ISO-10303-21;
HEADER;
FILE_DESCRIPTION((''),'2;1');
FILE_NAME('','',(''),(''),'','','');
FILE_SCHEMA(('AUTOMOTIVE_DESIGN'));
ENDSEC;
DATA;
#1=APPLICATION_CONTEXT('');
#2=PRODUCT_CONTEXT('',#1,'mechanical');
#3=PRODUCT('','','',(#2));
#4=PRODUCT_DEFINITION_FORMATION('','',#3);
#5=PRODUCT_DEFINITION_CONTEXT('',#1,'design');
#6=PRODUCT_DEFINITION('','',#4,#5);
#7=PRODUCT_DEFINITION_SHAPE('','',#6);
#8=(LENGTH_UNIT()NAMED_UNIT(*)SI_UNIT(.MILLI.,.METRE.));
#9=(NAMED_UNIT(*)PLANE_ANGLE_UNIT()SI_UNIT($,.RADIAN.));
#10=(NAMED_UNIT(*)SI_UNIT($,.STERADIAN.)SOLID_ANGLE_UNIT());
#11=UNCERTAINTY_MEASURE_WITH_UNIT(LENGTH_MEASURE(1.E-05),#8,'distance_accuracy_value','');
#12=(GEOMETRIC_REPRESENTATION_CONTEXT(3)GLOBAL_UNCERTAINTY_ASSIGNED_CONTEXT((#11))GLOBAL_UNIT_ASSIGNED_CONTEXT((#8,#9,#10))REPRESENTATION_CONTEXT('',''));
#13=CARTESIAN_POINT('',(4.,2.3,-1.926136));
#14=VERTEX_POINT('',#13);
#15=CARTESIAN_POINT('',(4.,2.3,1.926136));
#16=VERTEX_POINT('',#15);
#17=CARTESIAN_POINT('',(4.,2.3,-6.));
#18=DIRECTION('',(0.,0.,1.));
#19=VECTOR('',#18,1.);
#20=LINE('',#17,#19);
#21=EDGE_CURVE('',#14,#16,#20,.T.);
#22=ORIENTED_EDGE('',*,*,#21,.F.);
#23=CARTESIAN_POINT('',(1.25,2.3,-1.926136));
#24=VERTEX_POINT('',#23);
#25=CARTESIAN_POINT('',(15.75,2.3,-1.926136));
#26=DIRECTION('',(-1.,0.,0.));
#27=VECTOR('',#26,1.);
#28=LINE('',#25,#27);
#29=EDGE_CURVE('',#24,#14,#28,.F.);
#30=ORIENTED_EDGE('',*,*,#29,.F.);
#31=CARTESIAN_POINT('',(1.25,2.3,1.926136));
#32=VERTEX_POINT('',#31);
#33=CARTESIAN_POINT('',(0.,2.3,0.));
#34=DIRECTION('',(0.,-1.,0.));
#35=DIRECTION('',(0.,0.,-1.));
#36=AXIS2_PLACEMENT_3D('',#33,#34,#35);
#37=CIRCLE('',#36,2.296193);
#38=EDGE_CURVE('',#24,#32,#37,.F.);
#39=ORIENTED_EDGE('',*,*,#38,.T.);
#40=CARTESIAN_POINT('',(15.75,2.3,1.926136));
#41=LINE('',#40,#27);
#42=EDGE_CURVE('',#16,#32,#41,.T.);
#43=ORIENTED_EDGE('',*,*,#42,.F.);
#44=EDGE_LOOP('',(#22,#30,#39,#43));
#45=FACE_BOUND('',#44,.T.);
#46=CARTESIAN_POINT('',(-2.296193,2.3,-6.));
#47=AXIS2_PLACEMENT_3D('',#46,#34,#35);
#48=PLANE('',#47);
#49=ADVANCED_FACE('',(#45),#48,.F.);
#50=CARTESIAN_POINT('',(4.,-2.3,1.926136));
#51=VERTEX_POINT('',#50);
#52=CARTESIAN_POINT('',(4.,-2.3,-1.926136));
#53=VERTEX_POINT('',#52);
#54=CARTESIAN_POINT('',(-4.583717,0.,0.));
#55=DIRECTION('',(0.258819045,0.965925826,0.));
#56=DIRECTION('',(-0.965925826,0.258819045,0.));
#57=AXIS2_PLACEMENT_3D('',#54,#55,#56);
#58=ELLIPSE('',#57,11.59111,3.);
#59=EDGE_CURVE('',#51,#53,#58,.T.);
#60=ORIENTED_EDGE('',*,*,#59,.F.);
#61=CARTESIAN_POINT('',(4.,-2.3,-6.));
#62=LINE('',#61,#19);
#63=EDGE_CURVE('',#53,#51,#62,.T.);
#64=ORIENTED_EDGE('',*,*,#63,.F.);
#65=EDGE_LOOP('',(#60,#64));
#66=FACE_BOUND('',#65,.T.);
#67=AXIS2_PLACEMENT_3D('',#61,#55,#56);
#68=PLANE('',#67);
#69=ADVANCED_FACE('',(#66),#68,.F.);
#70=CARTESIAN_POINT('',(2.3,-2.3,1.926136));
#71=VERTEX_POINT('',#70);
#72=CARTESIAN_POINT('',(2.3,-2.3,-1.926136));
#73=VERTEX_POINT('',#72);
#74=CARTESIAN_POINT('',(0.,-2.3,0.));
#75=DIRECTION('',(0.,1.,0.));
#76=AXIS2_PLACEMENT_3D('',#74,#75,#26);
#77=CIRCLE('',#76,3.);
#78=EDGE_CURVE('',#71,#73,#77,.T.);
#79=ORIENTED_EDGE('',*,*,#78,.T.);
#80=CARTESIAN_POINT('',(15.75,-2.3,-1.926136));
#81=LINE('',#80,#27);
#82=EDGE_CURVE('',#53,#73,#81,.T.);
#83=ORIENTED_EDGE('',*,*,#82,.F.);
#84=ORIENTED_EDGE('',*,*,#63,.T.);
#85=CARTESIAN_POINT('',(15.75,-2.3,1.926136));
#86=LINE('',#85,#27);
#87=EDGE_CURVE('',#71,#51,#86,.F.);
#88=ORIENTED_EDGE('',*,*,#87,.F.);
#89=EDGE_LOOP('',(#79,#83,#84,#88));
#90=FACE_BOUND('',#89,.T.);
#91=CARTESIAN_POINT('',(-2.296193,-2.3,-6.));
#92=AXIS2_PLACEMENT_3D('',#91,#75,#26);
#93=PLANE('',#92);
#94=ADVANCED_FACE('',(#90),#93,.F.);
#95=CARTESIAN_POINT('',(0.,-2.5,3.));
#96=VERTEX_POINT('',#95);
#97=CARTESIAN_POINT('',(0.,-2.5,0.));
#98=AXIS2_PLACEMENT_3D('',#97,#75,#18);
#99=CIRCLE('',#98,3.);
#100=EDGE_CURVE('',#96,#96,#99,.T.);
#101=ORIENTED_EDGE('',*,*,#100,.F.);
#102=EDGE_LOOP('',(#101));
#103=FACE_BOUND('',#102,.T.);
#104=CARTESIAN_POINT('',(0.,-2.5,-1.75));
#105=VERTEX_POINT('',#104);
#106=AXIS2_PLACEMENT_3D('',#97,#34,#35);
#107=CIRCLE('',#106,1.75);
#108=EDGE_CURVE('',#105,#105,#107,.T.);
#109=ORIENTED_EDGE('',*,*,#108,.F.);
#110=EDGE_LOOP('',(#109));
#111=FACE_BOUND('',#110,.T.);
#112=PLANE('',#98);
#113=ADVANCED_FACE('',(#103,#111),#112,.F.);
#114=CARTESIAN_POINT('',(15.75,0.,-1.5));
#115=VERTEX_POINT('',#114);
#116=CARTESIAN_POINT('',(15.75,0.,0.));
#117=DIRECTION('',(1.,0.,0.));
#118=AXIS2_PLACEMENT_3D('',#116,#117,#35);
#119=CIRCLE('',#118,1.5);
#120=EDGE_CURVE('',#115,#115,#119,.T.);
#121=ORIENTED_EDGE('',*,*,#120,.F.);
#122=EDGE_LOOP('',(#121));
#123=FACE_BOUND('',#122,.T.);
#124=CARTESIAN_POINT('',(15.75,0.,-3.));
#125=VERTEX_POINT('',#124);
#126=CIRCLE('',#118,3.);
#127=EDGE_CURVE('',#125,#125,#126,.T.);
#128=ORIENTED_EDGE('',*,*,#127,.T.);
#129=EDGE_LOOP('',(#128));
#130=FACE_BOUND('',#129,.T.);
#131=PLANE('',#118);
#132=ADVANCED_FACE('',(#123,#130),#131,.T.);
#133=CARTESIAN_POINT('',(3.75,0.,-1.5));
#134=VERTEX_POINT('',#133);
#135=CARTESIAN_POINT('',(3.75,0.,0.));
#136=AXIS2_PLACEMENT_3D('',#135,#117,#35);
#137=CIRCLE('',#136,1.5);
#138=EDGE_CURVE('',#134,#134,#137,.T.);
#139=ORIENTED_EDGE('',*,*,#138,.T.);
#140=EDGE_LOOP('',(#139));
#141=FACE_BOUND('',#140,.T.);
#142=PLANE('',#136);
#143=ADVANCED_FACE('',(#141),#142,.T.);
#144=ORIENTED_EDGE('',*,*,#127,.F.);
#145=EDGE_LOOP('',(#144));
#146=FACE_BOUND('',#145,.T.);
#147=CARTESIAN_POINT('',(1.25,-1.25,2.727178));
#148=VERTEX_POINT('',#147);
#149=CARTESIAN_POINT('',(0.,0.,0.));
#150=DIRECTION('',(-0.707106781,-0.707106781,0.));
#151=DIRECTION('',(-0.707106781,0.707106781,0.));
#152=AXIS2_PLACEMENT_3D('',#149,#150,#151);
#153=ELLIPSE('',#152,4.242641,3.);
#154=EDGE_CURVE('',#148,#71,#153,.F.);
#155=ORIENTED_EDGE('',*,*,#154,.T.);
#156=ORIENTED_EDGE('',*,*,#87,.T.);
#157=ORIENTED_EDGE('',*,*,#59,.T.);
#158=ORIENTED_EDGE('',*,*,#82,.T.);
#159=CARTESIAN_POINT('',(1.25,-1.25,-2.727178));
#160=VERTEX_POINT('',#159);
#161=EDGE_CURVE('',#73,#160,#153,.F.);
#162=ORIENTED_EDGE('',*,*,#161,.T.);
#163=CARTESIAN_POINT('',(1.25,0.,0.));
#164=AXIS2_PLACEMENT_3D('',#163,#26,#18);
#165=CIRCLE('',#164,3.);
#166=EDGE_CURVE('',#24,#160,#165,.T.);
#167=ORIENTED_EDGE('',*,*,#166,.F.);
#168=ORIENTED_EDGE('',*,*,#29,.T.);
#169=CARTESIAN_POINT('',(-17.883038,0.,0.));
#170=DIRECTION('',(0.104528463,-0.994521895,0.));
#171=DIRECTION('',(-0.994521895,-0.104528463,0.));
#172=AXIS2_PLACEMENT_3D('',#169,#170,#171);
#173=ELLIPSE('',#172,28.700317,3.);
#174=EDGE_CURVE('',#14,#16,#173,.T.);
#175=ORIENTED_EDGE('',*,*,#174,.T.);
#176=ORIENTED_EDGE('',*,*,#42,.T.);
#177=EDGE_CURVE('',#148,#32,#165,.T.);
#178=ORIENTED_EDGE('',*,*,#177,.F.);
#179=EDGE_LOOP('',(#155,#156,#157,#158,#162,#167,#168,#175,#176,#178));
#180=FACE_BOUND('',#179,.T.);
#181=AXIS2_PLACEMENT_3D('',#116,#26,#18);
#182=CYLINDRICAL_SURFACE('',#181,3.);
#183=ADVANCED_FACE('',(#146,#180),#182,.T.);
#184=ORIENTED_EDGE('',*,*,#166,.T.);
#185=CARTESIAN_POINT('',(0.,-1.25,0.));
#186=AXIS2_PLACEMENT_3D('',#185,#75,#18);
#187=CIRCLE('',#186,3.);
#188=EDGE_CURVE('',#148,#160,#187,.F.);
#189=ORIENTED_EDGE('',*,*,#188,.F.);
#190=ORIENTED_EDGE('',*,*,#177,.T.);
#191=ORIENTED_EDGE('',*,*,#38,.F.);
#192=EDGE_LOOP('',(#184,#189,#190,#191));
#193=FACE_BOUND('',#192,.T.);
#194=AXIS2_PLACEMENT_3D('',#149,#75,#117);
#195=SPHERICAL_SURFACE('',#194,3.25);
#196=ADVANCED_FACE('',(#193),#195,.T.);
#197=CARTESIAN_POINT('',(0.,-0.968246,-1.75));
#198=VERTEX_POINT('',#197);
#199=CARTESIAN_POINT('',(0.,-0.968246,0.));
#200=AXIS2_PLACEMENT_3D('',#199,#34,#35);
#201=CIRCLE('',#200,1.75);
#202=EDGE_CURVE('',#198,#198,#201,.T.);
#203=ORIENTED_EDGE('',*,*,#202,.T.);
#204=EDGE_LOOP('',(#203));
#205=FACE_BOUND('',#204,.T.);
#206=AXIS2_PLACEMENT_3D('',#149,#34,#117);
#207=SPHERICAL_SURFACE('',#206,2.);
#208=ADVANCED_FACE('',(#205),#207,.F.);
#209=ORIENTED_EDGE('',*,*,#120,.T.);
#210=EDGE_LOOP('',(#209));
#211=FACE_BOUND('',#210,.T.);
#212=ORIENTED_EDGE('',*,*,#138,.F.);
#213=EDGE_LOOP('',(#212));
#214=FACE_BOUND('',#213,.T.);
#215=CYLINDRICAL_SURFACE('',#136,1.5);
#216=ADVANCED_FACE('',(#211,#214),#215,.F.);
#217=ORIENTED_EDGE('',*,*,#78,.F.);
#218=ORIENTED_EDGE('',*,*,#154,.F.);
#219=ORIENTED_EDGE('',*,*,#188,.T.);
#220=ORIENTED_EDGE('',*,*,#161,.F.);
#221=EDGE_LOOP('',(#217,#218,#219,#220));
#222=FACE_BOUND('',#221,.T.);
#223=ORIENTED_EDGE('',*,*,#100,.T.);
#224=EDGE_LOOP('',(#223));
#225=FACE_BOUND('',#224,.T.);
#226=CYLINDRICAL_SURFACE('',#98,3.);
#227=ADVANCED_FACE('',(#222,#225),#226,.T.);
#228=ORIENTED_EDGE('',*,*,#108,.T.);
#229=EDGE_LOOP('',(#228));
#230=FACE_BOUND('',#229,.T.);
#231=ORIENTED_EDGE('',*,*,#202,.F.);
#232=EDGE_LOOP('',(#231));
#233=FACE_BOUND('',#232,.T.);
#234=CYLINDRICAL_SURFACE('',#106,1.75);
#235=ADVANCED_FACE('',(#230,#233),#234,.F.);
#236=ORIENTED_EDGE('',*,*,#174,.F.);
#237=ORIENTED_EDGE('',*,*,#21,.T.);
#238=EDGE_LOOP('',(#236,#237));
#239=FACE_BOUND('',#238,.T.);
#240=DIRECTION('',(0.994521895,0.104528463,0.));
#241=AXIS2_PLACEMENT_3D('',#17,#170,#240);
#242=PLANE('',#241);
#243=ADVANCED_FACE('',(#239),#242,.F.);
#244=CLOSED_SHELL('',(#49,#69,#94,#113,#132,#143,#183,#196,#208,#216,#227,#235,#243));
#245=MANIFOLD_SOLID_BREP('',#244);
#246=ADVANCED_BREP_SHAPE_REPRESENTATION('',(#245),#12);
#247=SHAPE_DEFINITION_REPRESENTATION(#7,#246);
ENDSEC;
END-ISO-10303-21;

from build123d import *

# Parameters (mm, degrees)
ESQUISSE2_R             = 3
BOSS_EXTRU_1_DEPTH      = 15.75
ESQUISSE3_R             = 1.5
ENL_V_MAT_EXTRU_1_DEPTH = 12
ENL_V_MAT_EXTRU_2_DEPTH = 6
ESQUISSE5_R             = 3
BOSS_EXTRU_2_DEPTH      = 2.5


with BuildPart() as part:
    # Esquisse1 → Révolution1 (revolve)
    with BuildSketch(Plane.XY):
        with BuildLine():
            Line((0, 3.25), (0, -3.25))
            ThreePointArc((0, -3.25), (-3.25, 0), (0, 3.25))
        make_face()
    revolve(axis=Axis((0, 3.25, 0), (0, -1, 0)))

    # Esquisse2 → Boss.-Extru.1 (add)
    with BuildSketch(Plane(origin=(0, 0, 0), x_dir=(0, 0, -1), z_dir=(1, 0, 0))):
        with Locations(Location((0, 0, 0), (0, 0, 180))):
            Circle(ESQUISSE2_R)
    extrude(amount=BOSS_EXTRU_1_DEPTH)

    # Esquisse3 → Enlèv. mat.-Extru.1 (cut)
    with BuildSketch(Plane(origin=(15.75, 0, 0), x_dir=(0, 0, -1), z_dir=(1, 0, 0))):
        Circle(ESQUISSE3_R)
    extrude(amount=-ENL_V_MAT_EXTRU_1_DEPTH, mode=Mode.SUBTRACT)

    # Esquisse4 → Enlèv. mat.-Extru.2 (cut, symmetric)
    with BuildSketch(Plane.XY):
        Polygon((-2.296192501, 2.3), (4, 2.3), (13.038646232, 3.25), (-2.296192501, 3.25), align=None)
        Polygon((-2.296192501, -2.3), (4, -2.3), (7.545448267, -3.25), (-2.296192501, -3.25), align=None)
    extrude(amount=ENL_V_MAT_EXTRU_2_DEPTH, both=True, mode=Mode.SUBTRACT)

    # Esquisse5 → Boss.-Extru.2 (add)
    with BuildSketch(Plane(origin=(0, 0, 0), x_dir=(1, 0, 0), z_dir=(0, 1, 0))):
        with Locations(Location((0, 0, 0), (0, 0, 270))):
            Circle(ESQUISSE5_R)
    extrude(amount=-BOSS_EXTRU_2_DEPTH)

    # Esquisse6 → Enlèvement de matière-Révolution1 (revolve, cut)
    with BuildSketch(Plane.XY):
        with BuildLine():
            Line((1.75, -0.968245837), (1.75, -2.5))
            Line((1.75, -2.5), (0, -2.5))
            Line((0, -2.5), (0, 2))
            ThreePointArc((0, 2), (1.722859784, 1.015753003), (1.75, -0.968245837))
        make_face()
    revolve(axis=Axis((0, -2.5, 0), (0, 1, 0)), mode=Mode.SUBTRACT)


solid = part.part
